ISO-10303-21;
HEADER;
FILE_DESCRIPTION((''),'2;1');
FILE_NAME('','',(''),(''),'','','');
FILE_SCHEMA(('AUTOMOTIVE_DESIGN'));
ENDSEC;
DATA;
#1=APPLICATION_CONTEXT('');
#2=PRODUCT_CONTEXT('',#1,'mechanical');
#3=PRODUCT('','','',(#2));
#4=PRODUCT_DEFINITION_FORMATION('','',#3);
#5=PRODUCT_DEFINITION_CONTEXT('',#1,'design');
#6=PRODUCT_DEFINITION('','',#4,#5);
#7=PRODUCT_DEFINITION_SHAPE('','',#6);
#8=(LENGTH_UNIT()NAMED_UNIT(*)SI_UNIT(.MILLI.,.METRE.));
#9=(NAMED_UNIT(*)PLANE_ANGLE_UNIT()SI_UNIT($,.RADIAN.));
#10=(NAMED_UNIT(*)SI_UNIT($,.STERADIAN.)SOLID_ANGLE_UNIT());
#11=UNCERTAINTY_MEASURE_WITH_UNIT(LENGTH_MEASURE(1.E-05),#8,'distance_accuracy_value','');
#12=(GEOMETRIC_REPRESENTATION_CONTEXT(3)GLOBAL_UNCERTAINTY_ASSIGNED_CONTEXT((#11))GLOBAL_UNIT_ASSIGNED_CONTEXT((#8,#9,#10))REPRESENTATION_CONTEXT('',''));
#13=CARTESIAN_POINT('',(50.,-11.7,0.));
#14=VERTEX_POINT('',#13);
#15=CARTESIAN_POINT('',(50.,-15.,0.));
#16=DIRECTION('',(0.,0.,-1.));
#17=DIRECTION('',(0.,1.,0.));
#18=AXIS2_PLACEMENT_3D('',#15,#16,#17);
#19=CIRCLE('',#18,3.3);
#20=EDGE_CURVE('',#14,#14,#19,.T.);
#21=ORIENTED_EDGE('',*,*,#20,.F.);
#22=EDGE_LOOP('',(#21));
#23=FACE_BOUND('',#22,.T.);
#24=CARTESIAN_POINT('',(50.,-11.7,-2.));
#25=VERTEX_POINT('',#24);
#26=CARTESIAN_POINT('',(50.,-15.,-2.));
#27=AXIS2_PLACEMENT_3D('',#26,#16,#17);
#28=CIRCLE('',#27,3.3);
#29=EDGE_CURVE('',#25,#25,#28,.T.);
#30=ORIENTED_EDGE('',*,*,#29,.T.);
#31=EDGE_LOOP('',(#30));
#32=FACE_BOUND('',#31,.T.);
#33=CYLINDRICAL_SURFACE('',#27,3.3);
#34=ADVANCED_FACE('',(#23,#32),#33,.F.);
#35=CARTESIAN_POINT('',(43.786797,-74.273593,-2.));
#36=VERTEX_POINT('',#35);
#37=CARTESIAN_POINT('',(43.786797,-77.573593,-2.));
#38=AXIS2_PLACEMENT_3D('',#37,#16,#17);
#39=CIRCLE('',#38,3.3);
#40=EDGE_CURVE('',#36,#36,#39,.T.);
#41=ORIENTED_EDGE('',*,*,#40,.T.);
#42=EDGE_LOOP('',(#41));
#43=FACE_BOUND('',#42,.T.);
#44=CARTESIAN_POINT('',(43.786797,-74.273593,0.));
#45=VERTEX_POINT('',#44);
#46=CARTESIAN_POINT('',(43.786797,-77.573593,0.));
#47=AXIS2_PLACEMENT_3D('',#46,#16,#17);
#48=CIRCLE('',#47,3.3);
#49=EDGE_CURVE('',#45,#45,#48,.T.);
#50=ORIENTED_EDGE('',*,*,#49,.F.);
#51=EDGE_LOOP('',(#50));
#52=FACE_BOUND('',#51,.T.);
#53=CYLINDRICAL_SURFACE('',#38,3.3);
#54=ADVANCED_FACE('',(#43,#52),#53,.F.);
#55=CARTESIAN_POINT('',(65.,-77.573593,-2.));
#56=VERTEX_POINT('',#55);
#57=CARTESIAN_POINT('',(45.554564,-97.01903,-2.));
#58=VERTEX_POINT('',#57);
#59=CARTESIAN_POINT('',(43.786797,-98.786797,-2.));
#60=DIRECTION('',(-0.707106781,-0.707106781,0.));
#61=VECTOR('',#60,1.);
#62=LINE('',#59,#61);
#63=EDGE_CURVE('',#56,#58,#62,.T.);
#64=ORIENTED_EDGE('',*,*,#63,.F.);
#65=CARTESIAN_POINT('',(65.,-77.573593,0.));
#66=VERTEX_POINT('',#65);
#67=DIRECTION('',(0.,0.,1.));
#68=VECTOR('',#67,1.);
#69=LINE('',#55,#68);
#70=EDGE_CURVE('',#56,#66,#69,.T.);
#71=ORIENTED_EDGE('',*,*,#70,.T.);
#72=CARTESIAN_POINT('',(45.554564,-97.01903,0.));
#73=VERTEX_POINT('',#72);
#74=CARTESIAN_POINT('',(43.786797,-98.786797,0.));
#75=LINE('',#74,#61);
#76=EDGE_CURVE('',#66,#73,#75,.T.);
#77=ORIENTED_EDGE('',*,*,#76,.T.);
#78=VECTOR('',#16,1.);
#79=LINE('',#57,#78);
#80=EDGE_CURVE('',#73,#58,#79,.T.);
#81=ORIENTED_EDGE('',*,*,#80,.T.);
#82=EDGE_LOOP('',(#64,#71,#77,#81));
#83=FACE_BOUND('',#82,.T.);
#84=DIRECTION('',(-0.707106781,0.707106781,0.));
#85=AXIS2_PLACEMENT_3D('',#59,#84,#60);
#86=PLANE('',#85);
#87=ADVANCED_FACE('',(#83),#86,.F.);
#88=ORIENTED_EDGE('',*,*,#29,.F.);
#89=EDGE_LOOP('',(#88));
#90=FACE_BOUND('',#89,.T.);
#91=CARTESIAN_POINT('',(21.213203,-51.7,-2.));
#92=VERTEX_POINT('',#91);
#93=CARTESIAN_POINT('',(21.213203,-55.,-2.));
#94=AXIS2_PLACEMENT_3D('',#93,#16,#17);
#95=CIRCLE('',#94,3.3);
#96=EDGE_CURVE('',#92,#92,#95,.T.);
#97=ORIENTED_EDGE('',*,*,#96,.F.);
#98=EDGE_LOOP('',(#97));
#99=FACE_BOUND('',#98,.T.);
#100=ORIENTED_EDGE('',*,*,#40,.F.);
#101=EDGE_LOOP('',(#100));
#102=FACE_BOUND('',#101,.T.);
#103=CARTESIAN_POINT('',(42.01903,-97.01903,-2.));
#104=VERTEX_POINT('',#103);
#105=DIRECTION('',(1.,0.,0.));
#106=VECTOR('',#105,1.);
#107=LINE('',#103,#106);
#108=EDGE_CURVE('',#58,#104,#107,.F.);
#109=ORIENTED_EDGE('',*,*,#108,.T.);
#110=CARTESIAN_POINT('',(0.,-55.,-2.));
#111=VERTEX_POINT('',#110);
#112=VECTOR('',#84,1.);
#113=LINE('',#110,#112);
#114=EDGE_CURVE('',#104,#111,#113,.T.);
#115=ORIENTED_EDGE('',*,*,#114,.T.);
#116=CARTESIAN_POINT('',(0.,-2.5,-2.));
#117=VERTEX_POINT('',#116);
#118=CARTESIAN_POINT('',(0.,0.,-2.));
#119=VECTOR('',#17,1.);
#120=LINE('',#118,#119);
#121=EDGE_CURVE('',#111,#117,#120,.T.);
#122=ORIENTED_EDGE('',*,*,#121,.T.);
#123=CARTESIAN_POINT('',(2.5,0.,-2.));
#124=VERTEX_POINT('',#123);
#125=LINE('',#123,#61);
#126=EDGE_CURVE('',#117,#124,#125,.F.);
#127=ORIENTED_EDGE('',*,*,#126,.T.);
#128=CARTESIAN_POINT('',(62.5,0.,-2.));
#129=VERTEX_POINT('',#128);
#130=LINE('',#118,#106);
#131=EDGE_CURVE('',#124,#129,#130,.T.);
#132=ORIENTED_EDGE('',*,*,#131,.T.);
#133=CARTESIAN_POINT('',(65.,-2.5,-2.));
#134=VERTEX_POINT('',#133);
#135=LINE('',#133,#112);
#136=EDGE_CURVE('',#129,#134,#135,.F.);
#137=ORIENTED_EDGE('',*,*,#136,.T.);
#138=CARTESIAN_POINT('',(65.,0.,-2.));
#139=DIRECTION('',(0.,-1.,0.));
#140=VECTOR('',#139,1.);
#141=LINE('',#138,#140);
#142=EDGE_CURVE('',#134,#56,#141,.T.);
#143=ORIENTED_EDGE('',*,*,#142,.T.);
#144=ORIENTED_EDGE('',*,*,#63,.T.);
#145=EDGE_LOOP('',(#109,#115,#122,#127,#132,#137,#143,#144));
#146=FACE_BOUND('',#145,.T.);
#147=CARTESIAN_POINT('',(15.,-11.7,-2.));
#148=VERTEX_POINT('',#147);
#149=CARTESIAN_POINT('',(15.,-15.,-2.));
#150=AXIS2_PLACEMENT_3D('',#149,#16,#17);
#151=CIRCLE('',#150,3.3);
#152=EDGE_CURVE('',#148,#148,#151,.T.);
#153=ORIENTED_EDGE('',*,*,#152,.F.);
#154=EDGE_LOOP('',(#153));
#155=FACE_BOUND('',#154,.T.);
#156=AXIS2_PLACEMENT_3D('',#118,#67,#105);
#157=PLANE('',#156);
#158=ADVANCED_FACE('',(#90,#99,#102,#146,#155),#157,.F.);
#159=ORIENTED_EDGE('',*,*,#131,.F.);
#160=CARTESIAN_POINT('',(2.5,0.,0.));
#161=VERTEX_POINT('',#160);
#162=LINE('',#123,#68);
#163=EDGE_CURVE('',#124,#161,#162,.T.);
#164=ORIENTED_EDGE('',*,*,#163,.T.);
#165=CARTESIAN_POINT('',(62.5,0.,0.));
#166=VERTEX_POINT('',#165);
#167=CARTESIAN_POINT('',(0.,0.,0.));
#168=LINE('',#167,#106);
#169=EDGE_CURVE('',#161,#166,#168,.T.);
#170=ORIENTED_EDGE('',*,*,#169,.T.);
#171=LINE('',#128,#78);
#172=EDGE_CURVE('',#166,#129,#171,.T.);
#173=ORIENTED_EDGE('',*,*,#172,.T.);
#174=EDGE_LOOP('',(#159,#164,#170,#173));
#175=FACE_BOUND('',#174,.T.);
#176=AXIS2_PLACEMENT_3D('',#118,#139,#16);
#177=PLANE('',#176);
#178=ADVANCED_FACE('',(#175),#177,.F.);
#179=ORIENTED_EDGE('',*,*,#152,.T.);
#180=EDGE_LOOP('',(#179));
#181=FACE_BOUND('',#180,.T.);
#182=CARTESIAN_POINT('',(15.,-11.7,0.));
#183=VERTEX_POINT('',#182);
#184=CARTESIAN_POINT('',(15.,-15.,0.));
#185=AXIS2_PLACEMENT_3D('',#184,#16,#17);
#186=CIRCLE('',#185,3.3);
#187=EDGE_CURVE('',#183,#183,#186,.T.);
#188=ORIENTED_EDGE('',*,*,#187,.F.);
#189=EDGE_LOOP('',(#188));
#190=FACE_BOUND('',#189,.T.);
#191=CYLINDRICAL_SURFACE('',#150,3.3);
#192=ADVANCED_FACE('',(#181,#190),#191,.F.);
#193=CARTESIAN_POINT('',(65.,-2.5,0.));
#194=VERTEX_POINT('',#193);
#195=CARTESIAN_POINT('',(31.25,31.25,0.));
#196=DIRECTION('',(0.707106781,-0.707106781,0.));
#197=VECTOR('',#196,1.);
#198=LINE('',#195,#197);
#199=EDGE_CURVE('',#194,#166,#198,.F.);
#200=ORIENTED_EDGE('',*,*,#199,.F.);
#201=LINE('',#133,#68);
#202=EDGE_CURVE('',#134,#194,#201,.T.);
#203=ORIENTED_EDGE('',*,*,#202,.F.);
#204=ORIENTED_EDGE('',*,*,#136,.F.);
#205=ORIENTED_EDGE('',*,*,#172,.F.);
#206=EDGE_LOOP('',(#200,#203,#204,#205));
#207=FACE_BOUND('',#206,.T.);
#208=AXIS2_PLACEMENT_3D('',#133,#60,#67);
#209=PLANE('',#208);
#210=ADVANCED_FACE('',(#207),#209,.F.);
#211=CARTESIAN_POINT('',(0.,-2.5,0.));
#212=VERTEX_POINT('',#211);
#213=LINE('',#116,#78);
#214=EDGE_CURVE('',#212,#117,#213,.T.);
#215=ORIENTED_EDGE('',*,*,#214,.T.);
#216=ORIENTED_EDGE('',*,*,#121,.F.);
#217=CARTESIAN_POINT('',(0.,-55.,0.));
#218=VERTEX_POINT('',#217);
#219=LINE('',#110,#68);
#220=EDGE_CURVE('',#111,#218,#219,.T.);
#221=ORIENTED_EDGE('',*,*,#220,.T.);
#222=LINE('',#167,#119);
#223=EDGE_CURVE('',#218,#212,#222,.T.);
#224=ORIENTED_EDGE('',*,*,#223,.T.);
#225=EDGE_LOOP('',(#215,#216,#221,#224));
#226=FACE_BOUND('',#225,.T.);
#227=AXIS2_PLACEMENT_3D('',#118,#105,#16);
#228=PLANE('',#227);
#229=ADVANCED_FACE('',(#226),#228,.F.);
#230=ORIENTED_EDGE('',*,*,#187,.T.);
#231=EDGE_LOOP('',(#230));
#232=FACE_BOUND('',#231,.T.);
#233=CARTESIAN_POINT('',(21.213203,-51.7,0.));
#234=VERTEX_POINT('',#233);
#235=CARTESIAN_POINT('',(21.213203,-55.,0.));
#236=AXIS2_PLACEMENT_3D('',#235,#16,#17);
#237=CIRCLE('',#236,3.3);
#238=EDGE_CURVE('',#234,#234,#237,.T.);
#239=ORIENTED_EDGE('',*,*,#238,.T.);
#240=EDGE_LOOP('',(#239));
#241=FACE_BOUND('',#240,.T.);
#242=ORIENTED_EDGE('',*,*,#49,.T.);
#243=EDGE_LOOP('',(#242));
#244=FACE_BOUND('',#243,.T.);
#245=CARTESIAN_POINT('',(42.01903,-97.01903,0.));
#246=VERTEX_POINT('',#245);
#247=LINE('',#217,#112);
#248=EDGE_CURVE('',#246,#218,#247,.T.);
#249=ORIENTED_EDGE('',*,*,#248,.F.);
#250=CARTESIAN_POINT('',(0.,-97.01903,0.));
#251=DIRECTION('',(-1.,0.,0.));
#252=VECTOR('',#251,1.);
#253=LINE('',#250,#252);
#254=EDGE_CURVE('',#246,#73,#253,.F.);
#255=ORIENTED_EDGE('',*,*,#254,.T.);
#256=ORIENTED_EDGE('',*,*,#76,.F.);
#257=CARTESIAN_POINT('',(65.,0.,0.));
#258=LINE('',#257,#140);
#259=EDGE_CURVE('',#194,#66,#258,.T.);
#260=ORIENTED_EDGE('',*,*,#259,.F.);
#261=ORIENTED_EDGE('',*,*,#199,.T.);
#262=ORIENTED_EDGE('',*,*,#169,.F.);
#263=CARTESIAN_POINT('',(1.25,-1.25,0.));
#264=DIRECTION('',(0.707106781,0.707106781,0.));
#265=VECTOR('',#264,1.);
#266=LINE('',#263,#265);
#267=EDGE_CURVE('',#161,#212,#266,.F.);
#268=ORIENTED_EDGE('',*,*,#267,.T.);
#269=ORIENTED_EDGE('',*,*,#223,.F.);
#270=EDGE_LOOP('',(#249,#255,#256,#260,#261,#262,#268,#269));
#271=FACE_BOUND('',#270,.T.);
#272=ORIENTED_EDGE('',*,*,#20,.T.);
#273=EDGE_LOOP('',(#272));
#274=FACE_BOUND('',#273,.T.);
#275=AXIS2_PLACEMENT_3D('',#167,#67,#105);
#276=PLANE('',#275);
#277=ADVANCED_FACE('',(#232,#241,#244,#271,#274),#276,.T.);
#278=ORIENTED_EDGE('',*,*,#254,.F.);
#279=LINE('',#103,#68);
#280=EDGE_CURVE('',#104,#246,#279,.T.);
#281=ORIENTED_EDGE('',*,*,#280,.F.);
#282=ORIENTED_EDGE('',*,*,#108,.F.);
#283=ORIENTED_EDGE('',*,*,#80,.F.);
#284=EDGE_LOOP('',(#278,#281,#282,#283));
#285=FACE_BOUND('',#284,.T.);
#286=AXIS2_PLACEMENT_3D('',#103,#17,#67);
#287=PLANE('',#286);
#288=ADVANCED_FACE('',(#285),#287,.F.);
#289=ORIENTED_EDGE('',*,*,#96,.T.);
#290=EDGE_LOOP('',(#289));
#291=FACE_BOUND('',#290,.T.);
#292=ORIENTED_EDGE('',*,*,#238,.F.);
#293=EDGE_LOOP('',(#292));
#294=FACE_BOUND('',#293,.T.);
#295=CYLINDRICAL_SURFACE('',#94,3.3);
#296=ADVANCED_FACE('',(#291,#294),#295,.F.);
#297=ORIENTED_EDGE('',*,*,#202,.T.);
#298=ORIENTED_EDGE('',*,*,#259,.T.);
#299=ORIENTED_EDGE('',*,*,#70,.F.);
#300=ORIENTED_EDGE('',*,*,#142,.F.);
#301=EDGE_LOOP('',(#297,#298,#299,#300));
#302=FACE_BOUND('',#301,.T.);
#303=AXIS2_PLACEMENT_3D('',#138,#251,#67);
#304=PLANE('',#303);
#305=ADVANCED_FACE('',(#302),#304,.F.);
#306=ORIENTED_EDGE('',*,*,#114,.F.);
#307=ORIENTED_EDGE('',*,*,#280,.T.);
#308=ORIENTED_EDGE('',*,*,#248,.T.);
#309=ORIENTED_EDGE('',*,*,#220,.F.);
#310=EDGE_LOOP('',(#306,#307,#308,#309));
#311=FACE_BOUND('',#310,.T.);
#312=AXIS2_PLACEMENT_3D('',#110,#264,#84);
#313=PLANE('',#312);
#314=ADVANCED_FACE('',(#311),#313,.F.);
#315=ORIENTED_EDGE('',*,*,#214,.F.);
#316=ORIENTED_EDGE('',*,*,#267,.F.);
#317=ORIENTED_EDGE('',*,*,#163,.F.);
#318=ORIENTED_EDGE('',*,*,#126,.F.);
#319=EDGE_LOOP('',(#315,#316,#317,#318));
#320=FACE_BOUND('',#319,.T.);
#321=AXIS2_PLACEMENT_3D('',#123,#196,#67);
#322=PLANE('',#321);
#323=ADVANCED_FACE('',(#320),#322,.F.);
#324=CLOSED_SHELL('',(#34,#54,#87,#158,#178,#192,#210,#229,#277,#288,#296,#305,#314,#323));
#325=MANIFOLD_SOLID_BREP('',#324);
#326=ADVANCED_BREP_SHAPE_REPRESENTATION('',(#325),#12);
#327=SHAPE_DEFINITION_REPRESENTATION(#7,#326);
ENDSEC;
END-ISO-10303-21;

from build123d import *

# Parameters (mm, degrees)
EXTRUDE_1_DEPTH   = 2
HOLE_WIZARD_M61_D = 6.6
CHAMFER_1_SIZE    = 2.5


with BuildPart() as part:
    # Эскиз3 → Бобышка-Вытянуть1 (new body)
    with BuildSketch(Plane(origin=(0, 0, 0), x_dir=(1, 0, 0), z_dir=(0, 0, -1))):
        Polygon((0, 0), (65, 0), (65, 77.573593129), (43.786796564, 98.786796564), (0, 55), align=None)
    extrude(amount=EXTRUDE_1_DEPTH)

    # Отверстие с зазором M61 (through all)
    with Locations(Plane(origin=(0, 0, -2), x_dir=(1, 0, 0), z_dir=(0, 0, -1))):
        with Locations((15, 15), (50, 15), (21.213203436, 55), (43.786796564, 77.573593129)):
            Hole(HOLE_WIZARD_M61_D / 2)

    # Фаска1
    chamfer_1_edges = [part.edges().sort_by_distance(p)[0] for p in [
        (43.786796564, -98.786796564, -1),
        (65, 0, -1),
        (0, 0, -1),
    ]]
    chamfer(chamfer_1_edges, length=CHAMFER_1_SIZE)


solid = part.part
